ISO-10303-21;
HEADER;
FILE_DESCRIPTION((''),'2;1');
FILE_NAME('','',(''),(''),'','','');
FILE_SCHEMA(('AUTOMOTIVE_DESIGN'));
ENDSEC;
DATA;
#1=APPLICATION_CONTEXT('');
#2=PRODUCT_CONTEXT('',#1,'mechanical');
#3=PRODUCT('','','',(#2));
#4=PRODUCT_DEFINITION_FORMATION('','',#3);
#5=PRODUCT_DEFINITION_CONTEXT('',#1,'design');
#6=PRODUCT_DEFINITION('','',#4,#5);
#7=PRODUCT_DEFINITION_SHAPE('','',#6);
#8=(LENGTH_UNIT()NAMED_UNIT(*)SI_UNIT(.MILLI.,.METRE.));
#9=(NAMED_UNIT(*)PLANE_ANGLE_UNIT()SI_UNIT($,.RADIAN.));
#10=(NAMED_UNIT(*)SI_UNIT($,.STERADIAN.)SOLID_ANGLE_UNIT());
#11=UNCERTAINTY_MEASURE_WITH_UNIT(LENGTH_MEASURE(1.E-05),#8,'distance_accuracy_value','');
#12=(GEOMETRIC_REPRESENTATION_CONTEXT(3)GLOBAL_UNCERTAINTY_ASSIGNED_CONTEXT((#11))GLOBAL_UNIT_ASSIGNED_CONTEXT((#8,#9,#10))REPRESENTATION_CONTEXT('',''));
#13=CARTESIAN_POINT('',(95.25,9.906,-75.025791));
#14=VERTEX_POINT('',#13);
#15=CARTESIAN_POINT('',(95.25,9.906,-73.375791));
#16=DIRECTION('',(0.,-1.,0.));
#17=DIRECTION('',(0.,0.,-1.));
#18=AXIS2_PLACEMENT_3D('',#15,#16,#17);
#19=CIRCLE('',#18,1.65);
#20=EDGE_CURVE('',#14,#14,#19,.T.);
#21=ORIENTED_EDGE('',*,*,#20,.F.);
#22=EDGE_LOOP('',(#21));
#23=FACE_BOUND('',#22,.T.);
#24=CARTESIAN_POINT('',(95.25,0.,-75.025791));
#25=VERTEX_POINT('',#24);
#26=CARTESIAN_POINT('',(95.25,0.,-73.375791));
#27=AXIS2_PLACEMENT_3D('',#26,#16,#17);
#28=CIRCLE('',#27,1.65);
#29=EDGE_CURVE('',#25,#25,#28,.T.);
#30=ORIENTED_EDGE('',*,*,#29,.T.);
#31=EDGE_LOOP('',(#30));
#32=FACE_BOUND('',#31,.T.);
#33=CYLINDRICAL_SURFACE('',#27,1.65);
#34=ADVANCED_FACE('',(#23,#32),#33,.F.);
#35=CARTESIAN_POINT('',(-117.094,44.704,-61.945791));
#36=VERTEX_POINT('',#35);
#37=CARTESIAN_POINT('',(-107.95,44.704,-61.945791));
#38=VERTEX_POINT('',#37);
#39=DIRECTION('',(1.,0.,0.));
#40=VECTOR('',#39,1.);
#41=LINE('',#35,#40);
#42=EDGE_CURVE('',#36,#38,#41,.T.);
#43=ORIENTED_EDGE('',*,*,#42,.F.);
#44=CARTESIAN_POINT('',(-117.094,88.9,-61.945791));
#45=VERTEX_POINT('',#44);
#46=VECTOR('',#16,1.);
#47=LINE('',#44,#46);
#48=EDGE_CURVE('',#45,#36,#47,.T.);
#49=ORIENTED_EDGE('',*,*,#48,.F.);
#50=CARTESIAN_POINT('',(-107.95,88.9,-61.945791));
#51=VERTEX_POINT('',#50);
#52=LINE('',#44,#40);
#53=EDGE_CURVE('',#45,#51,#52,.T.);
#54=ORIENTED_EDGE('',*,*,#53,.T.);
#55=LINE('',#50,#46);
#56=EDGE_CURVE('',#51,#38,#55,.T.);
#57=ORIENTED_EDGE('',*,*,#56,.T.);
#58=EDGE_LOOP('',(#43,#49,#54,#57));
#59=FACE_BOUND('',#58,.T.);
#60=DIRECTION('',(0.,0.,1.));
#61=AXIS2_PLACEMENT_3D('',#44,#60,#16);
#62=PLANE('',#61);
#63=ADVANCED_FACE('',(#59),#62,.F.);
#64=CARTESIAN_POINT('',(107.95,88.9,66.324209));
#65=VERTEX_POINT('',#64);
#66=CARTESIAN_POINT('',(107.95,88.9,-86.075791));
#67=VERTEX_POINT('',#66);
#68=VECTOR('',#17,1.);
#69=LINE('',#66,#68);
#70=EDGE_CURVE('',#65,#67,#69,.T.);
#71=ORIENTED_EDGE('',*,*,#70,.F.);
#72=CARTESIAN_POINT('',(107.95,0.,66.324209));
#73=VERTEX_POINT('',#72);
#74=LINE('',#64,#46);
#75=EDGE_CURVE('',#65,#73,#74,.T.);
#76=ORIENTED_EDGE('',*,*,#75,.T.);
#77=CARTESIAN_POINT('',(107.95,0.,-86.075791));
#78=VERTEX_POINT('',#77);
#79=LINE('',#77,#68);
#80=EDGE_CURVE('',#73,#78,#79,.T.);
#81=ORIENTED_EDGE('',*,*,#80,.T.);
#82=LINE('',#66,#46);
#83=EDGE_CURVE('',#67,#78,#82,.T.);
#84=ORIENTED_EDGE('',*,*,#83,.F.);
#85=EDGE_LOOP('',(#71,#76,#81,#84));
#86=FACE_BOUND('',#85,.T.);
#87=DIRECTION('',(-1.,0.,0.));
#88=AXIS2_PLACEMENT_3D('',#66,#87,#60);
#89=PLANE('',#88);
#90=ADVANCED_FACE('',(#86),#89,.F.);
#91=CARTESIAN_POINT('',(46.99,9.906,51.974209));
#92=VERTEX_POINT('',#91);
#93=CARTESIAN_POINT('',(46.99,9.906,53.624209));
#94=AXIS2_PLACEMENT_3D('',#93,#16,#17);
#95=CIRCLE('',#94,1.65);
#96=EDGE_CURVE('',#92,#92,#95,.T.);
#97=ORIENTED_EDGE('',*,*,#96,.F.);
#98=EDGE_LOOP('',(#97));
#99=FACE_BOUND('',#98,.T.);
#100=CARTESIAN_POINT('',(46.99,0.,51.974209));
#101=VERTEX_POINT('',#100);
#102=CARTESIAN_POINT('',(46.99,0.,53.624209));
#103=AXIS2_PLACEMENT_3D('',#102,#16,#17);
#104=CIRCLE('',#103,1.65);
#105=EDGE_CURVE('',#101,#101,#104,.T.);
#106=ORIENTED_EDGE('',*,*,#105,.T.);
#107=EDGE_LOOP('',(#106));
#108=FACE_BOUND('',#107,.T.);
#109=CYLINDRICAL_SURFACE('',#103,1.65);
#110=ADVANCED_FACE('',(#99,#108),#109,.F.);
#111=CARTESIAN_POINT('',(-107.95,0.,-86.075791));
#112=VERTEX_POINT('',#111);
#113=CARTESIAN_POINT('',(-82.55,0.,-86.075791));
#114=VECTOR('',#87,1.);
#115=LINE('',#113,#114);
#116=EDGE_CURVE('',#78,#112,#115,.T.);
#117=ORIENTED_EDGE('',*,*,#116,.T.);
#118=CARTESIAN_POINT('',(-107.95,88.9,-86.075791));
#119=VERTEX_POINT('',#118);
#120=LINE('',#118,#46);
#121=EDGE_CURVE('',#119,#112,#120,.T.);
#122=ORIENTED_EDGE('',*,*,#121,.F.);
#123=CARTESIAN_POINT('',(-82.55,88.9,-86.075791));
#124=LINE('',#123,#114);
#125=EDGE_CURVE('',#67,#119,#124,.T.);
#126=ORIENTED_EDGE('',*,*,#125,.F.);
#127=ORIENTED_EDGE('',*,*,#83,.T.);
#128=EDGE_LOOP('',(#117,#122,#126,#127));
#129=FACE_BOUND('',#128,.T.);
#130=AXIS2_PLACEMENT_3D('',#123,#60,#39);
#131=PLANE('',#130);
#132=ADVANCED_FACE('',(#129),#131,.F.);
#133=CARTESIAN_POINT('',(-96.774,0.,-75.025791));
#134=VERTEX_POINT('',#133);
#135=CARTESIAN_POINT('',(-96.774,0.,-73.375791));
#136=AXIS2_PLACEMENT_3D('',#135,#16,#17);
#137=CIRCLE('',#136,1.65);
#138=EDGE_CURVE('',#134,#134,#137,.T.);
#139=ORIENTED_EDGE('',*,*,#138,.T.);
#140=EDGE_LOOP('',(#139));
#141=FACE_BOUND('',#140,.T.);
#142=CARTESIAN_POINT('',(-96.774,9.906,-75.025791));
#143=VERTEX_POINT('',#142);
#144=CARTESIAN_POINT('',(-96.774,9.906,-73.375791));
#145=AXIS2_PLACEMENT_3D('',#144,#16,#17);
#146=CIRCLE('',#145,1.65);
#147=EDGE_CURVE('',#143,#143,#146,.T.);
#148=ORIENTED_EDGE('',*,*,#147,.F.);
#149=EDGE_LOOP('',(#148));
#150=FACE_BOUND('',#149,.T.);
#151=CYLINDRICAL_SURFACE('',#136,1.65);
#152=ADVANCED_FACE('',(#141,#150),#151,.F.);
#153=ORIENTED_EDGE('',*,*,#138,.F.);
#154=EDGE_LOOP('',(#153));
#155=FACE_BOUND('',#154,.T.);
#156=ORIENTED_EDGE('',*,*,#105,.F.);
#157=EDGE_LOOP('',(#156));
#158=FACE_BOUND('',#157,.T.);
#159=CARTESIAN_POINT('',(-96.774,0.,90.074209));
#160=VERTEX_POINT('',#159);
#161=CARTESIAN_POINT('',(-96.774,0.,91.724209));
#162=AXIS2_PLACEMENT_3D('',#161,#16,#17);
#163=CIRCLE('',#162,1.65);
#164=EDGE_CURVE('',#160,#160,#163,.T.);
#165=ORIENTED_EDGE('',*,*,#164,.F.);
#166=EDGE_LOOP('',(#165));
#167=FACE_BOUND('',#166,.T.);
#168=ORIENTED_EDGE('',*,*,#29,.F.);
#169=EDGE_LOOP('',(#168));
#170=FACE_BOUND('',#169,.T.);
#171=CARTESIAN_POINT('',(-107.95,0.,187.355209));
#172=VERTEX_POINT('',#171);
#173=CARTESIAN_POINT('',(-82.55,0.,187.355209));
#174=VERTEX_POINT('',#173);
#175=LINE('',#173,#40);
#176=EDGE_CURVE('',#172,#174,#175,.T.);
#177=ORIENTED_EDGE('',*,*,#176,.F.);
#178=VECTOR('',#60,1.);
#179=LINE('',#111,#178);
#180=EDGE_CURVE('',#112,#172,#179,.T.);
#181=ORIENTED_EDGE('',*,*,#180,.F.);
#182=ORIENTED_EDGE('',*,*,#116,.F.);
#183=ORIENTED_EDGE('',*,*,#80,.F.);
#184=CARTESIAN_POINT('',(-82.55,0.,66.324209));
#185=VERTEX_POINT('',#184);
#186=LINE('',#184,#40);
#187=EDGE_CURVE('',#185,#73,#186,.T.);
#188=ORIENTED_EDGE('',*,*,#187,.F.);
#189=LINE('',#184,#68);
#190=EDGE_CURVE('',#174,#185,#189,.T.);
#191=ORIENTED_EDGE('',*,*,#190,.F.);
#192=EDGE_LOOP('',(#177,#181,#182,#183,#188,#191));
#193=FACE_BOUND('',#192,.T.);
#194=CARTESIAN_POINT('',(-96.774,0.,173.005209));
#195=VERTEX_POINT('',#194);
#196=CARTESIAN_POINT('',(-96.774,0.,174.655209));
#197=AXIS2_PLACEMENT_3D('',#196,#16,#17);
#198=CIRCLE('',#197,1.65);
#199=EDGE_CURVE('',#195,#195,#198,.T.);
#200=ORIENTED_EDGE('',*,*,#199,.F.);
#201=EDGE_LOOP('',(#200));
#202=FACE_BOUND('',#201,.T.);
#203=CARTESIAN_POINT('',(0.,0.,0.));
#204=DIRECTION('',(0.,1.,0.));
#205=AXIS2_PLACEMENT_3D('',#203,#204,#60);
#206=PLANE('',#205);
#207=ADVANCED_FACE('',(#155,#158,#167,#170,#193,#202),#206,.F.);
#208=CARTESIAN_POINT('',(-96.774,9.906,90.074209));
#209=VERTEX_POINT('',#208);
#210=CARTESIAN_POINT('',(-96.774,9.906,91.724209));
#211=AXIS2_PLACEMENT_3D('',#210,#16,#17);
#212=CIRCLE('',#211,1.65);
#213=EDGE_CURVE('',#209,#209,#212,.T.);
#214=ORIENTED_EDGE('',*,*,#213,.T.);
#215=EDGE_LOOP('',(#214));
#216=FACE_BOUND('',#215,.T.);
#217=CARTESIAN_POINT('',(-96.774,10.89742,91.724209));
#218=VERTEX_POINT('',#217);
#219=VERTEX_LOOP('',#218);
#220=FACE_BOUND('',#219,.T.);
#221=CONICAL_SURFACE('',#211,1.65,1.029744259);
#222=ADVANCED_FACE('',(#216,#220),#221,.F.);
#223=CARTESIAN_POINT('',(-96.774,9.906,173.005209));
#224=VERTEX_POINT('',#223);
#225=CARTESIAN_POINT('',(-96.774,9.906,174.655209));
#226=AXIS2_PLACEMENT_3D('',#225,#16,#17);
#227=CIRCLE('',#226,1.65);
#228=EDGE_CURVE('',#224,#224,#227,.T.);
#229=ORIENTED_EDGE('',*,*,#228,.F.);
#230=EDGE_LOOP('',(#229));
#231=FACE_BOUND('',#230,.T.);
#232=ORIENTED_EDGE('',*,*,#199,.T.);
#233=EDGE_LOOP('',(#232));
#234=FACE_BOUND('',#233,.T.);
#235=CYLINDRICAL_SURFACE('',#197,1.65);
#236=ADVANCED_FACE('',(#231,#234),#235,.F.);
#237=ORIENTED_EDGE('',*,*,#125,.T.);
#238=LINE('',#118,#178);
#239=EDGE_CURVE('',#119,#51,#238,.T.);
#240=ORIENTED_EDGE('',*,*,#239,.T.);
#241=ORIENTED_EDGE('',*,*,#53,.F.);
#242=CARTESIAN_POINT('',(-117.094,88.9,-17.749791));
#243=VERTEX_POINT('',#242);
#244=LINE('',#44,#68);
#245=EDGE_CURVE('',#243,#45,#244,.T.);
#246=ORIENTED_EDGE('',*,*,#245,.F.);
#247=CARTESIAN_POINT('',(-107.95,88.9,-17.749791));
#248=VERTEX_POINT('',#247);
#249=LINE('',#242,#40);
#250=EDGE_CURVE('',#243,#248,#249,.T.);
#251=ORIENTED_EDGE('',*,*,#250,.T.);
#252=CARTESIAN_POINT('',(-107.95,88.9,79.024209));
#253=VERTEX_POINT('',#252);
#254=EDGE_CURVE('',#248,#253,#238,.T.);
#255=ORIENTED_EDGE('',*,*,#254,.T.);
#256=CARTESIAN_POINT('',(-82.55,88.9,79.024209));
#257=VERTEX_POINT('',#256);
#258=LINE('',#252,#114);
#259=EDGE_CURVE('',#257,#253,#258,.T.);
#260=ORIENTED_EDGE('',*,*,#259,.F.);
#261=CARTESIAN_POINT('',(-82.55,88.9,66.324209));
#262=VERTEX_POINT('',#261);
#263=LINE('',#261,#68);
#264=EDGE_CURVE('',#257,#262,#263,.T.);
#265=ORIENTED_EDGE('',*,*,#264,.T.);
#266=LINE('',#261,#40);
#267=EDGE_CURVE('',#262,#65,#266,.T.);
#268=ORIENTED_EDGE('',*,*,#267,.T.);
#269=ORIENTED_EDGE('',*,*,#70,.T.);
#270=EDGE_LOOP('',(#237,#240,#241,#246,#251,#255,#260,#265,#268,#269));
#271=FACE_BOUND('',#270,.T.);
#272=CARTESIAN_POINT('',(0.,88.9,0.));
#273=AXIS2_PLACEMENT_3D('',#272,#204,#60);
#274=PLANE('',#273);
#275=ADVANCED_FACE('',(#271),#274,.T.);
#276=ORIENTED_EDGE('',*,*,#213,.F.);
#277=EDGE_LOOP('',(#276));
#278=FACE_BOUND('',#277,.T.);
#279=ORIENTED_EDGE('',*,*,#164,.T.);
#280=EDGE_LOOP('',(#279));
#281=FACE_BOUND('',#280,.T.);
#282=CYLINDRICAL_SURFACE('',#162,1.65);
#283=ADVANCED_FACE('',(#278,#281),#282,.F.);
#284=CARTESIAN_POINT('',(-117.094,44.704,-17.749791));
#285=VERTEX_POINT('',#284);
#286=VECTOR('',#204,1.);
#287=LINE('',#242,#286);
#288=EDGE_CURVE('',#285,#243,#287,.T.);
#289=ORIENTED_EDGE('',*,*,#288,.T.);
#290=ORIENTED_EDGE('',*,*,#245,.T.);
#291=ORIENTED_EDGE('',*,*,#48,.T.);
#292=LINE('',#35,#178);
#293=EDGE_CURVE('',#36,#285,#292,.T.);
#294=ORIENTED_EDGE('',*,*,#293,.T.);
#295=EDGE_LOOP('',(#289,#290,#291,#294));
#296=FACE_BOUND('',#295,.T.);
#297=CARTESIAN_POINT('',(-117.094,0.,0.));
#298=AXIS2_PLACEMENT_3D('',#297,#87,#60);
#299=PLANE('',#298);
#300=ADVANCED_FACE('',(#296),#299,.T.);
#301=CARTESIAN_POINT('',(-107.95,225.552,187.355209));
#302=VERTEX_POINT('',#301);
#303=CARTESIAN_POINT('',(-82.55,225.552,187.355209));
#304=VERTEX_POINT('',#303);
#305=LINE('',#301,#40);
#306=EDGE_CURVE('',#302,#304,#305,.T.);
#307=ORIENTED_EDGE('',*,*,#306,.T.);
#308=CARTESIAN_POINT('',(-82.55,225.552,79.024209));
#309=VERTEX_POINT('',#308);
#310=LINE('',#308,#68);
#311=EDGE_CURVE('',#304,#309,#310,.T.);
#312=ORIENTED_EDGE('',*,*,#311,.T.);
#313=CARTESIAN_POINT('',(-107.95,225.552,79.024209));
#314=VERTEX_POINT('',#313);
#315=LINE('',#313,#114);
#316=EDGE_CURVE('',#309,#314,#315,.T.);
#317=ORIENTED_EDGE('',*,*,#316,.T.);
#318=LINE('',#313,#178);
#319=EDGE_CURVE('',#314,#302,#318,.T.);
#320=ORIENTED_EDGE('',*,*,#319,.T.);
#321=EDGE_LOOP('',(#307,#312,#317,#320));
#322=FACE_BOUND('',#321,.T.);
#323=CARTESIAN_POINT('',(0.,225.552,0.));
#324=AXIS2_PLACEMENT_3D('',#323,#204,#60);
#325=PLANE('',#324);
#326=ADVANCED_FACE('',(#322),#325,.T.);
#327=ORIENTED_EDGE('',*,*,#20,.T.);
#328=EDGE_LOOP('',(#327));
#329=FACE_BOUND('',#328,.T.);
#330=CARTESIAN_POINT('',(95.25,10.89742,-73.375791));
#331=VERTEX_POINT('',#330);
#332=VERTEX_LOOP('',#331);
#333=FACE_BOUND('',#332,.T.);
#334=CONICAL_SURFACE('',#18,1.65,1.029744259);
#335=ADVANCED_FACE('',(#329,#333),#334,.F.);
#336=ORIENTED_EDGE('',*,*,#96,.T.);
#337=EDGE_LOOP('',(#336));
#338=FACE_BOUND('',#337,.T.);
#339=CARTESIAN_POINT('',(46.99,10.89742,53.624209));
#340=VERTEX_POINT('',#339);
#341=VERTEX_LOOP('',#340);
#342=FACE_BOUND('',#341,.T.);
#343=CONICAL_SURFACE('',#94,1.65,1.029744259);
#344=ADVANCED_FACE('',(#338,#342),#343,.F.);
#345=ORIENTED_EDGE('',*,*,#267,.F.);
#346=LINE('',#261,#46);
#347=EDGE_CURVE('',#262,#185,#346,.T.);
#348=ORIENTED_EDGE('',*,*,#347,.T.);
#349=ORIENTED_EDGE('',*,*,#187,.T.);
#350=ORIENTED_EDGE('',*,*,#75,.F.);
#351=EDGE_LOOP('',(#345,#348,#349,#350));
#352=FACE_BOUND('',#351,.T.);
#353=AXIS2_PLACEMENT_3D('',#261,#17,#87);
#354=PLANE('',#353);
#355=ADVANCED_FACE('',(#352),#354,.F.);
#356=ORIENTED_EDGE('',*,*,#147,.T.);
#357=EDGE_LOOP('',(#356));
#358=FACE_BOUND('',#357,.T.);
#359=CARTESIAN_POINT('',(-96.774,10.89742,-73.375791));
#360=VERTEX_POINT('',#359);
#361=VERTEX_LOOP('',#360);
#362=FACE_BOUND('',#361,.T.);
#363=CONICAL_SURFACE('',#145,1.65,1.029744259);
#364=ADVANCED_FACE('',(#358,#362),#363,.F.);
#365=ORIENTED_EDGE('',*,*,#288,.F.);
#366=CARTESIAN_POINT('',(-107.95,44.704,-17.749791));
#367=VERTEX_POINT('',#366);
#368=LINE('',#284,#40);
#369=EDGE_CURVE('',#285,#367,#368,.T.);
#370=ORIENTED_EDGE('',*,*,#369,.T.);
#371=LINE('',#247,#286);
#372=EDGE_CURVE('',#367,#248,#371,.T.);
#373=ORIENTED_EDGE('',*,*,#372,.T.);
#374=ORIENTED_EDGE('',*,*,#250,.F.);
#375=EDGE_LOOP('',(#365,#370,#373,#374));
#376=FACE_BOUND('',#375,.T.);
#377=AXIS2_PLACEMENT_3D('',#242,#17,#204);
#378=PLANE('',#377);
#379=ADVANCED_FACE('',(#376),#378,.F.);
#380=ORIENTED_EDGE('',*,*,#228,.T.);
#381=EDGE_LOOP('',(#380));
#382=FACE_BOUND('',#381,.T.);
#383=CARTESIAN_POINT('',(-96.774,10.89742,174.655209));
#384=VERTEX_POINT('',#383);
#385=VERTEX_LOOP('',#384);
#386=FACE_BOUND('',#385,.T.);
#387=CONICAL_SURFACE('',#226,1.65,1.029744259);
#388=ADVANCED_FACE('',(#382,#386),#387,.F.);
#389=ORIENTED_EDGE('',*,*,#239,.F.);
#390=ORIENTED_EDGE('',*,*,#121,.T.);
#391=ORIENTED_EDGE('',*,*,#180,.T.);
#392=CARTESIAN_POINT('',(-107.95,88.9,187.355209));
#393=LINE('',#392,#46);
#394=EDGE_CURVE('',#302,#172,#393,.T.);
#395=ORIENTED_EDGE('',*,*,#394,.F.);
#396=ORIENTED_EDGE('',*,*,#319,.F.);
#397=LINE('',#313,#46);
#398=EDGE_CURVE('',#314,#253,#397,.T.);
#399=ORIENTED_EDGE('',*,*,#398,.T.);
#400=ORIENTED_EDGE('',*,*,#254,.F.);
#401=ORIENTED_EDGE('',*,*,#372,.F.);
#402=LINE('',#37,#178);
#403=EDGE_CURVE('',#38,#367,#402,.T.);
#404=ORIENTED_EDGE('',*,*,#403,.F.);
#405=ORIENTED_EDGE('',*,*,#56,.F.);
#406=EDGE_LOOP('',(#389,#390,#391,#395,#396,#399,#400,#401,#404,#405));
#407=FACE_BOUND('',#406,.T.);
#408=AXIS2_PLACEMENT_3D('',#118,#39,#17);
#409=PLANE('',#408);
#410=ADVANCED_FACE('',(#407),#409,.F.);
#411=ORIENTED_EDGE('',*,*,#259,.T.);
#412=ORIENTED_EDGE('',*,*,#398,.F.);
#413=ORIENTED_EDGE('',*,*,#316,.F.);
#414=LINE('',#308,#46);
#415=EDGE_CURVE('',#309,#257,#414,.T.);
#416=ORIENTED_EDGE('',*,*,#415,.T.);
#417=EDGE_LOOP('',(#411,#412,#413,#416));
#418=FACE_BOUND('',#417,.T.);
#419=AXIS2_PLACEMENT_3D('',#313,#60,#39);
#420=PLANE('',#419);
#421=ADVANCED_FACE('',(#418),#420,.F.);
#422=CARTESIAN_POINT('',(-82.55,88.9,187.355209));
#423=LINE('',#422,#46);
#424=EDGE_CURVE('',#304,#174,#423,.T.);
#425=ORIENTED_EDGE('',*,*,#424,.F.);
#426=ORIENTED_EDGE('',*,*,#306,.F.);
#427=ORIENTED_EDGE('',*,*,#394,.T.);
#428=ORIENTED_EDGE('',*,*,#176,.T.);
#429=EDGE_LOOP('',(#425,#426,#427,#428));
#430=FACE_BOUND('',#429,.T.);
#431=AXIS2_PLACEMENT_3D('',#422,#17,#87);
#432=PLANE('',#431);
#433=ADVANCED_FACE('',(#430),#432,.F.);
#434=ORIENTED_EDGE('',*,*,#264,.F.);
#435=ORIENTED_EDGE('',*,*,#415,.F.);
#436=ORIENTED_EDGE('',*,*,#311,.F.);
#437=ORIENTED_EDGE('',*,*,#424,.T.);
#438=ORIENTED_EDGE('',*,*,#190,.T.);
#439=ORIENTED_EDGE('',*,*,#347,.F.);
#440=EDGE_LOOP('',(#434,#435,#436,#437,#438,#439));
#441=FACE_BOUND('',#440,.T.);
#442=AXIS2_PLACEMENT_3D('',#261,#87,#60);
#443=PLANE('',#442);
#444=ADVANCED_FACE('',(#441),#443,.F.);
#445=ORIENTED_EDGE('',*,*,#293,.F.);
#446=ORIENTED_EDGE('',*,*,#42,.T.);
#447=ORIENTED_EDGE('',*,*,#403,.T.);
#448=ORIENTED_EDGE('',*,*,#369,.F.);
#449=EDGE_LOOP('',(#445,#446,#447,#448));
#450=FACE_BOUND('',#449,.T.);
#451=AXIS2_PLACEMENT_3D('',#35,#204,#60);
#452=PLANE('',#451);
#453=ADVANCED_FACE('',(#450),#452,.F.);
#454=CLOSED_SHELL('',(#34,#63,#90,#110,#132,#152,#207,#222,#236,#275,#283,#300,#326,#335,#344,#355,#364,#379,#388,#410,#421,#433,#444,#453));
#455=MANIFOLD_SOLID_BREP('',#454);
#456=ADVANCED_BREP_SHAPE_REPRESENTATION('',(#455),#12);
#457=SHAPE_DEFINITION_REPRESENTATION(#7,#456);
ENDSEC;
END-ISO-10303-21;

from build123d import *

# Parameters (mm, degrees)
BOSS_EXTRUDE2_DEPTH       = 88.9
SKETCH2_W                 = 25.4
SKETCH2_H                 = 108.331
BOSS_EXTRUDE3_DEPTH       = 136.652
M4X0_7_TAPPED_HOLE2_D     = 3.3
M4X0_7_TAPPED_HOLE2_DEPTH = 9.906
M4X0_7_TAPPED_HOLE2_TIP   = 0.991420021
SKETCH5_W                 = 44.196
SKETCH5_H                 = 44.196
BOSS_EXTRUDE4_DEPTH       = 9.144


with BuildPart() as part:
    # Sketch1 → Boss-Extrude2 (new body)
    with BuildSketch(Plane(origin=(0, 0, 0), x_dir=(1, 0, 0), z_dir=(0, 1, 0))):
        Polygon((-82.55, 86.075791262), (107.95, 86.075791262), (107.95, -66.324208738), (-82.55, -66.324208738), (-82.55, -187.355208738), (-107.95, -187.355208738), (-107.95, 86.075791262), align=None)
    extrude(amount=BOSS_EXTRUDE2_DEPTH)

    # Sketch2 → Boss-Extrude3 (add)
    with BuildSketch(Plane(origin=(0, 88.9, 0), x_dir=(1, 0, 0), z_dir=(0, 1, 0))):
        with Locations((-95.25, -133.189708738)):
            Rectangle(SKETCH2_W, SKETCH2_H)
    extrude(amount=BOSS_EXTRUDE3_DEPTH)

    # M4x0.7 Tapped Hole2
    with Locations(Plane(origin=(95.25, 0, -73.375791262), x_dir=(0, 0, -1), z_dir=(0, -1, 0))):
        with Locations((0, 0), (0, -192.024), (-127, -48.26), (-248.031, -192.024), (-165.1, -192.024)):
            Hole(M4X0_7_TAPPED_HOLE2_D / 2, depth=M4X0_7_TAPPED_HOLE2_DEPTH)
            with Locations((0, 0, -(M4X0_7_TAPPED_HOLE2_DEPTH + M4X0_7_TAPPED_HOLE2_TIP / 2))):  # 118° drill point
                Cone(0, M4X0_7_TAPPED_HOLE2_D / 2, M4X0_7_TAPPED_HOLE2_TIP, mode=Mode.SUBTRACT)

    # Sketch5 → Boss-Extrude4 (add)
    with BuildSketch(Plane.ZY.offset(107.95)):
        with Locations((-39.847791262, 66.802)):
            Rectangle(SKETCH5_W, SKETCH5_H)
    extrude(amount=BOSS_EXTRUDE4_DEPTH)


solid = part.part
